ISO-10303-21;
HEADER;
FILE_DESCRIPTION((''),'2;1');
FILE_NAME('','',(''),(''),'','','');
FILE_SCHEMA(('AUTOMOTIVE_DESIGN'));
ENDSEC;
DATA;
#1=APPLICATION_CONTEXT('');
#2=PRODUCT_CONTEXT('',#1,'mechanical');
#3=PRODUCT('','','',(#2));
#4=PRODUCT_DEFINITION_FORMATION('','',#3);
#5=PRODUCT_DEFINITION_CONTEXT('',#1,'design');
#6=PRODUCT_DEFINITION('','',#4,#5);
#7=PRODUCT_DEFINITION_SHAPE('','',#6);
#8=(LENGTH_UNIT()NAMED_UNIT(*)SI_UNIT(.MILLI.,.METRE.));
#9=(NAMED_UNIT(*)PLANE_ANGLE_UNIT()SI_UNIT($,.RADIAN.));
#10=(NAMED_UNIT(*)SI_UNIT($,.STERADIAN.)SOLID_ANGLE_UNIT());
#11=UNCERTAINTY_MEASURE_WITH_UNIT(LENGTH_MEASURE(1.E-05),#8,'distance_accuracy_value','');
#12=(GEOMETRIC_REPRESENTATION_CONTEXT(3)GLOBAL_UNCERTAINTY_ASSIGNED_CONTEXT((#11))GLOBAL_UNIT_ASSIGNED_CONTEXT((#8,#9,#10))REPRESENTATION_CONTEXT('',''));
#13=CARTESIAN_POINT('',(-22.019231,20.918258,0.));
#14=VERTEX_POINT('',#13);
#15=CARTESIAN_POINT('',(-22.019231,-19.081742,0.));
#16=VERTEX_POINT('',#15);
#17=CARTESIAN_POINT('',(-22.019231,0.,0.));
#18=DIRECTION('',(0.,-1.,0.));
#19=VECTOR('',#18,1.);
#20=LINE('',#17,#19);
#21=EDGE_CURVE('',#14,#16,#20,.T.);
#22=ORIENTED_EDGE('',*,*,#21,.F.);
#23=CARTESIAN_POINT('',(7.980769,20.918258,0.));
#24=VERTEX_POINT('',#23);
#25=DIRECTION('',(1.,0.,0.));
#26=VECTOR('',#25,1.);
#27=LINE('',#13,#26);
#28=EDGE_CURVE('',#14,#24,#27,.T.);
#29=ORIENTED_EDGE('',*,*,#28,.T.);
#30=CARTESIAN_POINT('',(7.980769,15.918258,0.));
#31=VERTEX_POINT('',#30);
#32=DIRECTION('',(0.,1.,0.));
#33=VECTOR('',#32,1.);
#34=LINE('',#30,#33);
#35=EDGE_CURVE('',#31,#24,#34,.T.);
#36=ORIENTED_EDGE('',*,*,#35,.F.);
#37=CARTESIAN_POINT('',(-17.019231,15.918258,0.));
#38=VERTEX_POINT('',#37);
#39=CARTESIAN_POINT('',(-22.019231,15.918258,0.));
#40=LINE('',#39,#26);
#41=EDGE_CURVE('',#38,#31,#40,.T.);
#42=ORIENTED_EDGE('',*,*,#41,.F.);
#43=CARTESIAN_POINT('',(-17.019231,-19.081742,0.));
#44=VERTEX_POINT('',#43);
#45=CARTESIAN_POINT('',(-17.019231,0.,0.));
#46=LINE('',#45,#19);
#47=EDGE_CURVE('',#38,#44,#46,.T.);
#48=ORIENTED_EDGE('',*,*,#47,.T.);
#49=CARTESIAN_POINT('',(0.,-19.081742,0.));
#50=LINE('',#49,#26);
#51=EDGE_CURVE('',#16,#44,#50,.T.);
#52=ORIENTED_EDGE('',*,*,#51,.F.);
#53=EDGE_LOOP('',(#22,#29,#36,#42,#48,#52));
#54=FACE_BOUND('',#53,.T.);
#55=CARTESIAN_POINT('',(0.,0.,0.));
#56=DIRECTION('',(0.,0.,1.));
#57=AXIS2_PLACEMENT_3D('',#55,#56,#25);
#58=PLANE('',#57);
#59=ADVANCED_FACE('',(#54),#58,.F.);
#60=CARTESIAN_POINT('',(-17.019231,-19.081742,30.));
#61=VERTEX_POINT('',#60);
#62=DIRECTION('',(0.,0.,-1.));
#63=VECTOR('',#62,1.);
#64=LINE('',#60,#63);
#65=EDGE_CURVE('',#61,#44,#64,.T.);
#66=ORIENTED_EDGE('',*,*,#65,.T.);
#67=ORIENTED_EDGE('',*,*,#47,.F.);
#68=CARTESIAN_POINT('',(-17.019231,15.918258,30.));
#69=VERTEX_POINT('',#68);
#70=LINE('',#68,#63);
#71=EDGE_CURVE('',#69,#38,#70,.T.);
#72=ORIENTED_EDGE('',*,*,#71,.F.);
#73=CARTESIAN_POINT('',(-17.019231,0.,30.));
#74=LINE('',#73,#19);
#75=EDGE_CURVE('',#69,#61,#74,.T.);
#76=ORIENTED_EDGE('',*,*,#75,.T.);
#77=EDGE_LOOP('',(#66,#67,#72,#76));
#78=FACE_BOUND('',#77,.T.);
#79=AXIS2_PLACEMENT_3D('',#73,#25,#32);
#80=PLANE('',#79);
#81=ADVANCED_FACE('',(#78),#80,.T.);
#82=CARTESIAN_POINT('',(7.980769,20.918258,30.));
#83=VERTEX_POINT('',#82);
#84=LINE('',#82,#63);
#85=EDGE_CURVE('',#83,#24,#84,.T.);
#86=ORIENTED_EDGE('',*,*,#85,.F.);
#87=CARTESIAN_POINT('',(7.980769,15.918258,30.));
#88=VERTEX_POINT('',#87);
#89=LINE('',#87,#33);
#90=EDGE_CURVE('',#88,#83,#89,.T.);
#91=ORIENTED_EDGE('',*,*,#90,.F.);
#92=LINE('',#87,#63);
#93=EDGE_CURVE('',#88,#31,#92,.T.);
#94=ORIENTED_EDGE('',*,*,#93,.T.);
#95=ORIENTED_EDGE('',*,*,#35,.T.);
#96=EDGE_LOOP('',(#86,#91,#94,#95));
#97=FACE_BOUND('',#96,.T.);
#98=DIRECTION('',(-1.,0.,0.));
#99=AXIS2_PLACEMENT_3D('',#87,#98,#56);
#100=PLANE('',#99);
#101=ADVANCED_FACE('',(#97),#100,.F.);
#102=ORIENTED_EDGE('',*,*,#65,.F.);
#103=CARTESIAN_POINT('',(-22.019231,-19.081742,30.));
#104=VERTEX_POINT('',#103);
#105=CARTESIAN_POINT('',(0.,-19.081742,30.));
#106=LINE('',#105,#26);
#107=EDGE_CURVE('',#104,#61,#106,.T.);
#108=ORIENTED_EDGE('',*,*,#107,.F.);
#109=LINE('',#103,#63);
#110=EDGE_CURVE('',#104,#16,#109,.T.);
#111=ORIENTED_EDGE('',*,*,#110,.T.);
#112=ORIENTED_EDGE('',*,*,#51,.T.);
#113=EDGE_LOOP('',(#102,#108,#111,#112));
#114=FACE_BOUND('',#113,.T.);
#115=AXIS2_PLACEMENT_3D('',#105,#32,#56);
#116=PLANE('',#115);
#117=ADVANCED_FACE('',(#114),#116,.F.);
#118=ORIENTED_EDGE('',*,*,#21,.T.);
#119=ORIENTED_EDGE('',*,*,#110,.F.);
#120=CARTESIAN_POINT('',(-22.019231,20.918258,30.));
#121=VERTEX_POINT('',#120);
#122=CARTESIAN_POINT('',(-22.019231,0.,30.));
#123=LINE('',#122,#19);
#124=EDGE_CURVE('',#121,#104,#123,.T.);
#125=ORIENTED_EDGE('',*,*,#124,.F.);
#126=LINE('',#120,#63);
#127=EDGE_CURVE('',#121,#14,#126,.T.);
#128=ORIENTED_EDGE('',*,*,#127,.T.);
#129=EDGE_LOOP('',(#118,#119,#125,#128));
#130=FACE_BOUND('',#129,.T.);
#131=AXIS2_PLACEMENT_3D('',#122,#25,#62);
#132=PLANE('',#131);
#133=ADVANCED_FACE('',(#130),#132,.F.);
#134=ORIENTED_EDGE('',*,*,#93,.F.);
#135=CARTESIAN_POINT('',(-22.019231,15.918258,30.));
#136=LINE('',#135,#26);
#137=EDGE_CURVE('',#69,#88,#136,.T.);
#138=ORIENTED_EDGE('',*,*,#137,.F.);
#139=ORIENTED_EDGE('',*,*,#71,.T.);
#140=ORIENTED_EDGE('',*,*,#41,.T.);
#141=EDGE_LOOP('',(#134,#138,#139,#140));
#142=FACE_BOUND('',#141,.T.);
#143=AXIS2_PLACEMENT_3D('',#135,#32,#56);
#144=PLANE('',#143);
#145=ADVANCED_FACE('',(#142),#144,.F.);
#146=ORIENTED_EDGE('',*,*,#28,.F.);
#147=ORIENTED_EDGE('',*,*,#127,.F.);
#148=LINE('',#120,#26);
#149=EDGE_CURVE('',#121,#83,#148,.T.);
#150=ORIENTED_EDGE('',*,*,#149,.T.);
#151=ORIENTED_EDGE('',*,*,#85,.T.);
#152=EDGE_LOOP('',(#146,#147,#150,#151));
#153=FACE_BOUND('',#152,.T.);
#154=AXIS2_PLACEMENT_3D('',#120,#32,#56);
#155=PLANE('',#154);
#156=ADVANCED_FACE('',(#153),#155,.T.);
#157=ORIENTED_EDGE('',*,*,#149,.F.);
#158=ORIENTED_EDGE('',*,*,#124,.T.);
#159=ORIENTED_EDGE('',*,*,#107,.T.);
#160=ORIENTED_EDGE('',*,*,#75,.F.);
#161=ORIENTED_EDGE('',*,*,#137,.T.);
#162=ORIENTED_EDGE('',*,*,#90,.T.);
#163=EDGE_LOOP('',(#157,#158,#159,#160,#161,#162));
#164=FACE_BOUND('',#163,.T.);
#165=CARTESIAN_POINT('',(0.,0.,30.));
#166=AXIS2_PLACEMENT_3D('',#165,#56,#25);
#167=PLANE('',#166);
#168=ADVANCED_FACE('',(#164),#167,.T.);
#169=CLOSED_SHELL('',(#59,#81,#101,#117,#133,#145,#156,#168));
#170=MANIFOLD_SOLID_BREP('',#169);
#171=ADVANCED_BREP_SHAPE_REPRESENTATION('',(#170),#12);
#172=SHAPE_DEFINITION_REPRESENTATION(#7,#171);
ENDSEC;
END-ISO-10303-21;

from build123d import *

# Parameters (mm, degrees)
ESQUISSE1_W        = 5
ESQUISSE1_H        = 35
ESQUISSE1_W_2      = 30
ESQUISSE1_H_2      = 5
BOSS_EXTRU_2_DEPTH = 30


with BuildPart() as part:
    # Esquisse1 → Boss.-Extru.2 (new body)
    with BuildSketch(Plane.XY):
        with Locations((-19.519230769, -1.581742196)):
            Rectangle(ESQUISSE1_W, ESQUISSE1_H)
        with Locations((-7.019230769, 18.418257804)):
            Rectangle(ESQUISSE1_W_2, ESQUISSE1_H_2)
    extrude(amount=BOSS_EXTRU_2_DEPTH)


solid = part.part
